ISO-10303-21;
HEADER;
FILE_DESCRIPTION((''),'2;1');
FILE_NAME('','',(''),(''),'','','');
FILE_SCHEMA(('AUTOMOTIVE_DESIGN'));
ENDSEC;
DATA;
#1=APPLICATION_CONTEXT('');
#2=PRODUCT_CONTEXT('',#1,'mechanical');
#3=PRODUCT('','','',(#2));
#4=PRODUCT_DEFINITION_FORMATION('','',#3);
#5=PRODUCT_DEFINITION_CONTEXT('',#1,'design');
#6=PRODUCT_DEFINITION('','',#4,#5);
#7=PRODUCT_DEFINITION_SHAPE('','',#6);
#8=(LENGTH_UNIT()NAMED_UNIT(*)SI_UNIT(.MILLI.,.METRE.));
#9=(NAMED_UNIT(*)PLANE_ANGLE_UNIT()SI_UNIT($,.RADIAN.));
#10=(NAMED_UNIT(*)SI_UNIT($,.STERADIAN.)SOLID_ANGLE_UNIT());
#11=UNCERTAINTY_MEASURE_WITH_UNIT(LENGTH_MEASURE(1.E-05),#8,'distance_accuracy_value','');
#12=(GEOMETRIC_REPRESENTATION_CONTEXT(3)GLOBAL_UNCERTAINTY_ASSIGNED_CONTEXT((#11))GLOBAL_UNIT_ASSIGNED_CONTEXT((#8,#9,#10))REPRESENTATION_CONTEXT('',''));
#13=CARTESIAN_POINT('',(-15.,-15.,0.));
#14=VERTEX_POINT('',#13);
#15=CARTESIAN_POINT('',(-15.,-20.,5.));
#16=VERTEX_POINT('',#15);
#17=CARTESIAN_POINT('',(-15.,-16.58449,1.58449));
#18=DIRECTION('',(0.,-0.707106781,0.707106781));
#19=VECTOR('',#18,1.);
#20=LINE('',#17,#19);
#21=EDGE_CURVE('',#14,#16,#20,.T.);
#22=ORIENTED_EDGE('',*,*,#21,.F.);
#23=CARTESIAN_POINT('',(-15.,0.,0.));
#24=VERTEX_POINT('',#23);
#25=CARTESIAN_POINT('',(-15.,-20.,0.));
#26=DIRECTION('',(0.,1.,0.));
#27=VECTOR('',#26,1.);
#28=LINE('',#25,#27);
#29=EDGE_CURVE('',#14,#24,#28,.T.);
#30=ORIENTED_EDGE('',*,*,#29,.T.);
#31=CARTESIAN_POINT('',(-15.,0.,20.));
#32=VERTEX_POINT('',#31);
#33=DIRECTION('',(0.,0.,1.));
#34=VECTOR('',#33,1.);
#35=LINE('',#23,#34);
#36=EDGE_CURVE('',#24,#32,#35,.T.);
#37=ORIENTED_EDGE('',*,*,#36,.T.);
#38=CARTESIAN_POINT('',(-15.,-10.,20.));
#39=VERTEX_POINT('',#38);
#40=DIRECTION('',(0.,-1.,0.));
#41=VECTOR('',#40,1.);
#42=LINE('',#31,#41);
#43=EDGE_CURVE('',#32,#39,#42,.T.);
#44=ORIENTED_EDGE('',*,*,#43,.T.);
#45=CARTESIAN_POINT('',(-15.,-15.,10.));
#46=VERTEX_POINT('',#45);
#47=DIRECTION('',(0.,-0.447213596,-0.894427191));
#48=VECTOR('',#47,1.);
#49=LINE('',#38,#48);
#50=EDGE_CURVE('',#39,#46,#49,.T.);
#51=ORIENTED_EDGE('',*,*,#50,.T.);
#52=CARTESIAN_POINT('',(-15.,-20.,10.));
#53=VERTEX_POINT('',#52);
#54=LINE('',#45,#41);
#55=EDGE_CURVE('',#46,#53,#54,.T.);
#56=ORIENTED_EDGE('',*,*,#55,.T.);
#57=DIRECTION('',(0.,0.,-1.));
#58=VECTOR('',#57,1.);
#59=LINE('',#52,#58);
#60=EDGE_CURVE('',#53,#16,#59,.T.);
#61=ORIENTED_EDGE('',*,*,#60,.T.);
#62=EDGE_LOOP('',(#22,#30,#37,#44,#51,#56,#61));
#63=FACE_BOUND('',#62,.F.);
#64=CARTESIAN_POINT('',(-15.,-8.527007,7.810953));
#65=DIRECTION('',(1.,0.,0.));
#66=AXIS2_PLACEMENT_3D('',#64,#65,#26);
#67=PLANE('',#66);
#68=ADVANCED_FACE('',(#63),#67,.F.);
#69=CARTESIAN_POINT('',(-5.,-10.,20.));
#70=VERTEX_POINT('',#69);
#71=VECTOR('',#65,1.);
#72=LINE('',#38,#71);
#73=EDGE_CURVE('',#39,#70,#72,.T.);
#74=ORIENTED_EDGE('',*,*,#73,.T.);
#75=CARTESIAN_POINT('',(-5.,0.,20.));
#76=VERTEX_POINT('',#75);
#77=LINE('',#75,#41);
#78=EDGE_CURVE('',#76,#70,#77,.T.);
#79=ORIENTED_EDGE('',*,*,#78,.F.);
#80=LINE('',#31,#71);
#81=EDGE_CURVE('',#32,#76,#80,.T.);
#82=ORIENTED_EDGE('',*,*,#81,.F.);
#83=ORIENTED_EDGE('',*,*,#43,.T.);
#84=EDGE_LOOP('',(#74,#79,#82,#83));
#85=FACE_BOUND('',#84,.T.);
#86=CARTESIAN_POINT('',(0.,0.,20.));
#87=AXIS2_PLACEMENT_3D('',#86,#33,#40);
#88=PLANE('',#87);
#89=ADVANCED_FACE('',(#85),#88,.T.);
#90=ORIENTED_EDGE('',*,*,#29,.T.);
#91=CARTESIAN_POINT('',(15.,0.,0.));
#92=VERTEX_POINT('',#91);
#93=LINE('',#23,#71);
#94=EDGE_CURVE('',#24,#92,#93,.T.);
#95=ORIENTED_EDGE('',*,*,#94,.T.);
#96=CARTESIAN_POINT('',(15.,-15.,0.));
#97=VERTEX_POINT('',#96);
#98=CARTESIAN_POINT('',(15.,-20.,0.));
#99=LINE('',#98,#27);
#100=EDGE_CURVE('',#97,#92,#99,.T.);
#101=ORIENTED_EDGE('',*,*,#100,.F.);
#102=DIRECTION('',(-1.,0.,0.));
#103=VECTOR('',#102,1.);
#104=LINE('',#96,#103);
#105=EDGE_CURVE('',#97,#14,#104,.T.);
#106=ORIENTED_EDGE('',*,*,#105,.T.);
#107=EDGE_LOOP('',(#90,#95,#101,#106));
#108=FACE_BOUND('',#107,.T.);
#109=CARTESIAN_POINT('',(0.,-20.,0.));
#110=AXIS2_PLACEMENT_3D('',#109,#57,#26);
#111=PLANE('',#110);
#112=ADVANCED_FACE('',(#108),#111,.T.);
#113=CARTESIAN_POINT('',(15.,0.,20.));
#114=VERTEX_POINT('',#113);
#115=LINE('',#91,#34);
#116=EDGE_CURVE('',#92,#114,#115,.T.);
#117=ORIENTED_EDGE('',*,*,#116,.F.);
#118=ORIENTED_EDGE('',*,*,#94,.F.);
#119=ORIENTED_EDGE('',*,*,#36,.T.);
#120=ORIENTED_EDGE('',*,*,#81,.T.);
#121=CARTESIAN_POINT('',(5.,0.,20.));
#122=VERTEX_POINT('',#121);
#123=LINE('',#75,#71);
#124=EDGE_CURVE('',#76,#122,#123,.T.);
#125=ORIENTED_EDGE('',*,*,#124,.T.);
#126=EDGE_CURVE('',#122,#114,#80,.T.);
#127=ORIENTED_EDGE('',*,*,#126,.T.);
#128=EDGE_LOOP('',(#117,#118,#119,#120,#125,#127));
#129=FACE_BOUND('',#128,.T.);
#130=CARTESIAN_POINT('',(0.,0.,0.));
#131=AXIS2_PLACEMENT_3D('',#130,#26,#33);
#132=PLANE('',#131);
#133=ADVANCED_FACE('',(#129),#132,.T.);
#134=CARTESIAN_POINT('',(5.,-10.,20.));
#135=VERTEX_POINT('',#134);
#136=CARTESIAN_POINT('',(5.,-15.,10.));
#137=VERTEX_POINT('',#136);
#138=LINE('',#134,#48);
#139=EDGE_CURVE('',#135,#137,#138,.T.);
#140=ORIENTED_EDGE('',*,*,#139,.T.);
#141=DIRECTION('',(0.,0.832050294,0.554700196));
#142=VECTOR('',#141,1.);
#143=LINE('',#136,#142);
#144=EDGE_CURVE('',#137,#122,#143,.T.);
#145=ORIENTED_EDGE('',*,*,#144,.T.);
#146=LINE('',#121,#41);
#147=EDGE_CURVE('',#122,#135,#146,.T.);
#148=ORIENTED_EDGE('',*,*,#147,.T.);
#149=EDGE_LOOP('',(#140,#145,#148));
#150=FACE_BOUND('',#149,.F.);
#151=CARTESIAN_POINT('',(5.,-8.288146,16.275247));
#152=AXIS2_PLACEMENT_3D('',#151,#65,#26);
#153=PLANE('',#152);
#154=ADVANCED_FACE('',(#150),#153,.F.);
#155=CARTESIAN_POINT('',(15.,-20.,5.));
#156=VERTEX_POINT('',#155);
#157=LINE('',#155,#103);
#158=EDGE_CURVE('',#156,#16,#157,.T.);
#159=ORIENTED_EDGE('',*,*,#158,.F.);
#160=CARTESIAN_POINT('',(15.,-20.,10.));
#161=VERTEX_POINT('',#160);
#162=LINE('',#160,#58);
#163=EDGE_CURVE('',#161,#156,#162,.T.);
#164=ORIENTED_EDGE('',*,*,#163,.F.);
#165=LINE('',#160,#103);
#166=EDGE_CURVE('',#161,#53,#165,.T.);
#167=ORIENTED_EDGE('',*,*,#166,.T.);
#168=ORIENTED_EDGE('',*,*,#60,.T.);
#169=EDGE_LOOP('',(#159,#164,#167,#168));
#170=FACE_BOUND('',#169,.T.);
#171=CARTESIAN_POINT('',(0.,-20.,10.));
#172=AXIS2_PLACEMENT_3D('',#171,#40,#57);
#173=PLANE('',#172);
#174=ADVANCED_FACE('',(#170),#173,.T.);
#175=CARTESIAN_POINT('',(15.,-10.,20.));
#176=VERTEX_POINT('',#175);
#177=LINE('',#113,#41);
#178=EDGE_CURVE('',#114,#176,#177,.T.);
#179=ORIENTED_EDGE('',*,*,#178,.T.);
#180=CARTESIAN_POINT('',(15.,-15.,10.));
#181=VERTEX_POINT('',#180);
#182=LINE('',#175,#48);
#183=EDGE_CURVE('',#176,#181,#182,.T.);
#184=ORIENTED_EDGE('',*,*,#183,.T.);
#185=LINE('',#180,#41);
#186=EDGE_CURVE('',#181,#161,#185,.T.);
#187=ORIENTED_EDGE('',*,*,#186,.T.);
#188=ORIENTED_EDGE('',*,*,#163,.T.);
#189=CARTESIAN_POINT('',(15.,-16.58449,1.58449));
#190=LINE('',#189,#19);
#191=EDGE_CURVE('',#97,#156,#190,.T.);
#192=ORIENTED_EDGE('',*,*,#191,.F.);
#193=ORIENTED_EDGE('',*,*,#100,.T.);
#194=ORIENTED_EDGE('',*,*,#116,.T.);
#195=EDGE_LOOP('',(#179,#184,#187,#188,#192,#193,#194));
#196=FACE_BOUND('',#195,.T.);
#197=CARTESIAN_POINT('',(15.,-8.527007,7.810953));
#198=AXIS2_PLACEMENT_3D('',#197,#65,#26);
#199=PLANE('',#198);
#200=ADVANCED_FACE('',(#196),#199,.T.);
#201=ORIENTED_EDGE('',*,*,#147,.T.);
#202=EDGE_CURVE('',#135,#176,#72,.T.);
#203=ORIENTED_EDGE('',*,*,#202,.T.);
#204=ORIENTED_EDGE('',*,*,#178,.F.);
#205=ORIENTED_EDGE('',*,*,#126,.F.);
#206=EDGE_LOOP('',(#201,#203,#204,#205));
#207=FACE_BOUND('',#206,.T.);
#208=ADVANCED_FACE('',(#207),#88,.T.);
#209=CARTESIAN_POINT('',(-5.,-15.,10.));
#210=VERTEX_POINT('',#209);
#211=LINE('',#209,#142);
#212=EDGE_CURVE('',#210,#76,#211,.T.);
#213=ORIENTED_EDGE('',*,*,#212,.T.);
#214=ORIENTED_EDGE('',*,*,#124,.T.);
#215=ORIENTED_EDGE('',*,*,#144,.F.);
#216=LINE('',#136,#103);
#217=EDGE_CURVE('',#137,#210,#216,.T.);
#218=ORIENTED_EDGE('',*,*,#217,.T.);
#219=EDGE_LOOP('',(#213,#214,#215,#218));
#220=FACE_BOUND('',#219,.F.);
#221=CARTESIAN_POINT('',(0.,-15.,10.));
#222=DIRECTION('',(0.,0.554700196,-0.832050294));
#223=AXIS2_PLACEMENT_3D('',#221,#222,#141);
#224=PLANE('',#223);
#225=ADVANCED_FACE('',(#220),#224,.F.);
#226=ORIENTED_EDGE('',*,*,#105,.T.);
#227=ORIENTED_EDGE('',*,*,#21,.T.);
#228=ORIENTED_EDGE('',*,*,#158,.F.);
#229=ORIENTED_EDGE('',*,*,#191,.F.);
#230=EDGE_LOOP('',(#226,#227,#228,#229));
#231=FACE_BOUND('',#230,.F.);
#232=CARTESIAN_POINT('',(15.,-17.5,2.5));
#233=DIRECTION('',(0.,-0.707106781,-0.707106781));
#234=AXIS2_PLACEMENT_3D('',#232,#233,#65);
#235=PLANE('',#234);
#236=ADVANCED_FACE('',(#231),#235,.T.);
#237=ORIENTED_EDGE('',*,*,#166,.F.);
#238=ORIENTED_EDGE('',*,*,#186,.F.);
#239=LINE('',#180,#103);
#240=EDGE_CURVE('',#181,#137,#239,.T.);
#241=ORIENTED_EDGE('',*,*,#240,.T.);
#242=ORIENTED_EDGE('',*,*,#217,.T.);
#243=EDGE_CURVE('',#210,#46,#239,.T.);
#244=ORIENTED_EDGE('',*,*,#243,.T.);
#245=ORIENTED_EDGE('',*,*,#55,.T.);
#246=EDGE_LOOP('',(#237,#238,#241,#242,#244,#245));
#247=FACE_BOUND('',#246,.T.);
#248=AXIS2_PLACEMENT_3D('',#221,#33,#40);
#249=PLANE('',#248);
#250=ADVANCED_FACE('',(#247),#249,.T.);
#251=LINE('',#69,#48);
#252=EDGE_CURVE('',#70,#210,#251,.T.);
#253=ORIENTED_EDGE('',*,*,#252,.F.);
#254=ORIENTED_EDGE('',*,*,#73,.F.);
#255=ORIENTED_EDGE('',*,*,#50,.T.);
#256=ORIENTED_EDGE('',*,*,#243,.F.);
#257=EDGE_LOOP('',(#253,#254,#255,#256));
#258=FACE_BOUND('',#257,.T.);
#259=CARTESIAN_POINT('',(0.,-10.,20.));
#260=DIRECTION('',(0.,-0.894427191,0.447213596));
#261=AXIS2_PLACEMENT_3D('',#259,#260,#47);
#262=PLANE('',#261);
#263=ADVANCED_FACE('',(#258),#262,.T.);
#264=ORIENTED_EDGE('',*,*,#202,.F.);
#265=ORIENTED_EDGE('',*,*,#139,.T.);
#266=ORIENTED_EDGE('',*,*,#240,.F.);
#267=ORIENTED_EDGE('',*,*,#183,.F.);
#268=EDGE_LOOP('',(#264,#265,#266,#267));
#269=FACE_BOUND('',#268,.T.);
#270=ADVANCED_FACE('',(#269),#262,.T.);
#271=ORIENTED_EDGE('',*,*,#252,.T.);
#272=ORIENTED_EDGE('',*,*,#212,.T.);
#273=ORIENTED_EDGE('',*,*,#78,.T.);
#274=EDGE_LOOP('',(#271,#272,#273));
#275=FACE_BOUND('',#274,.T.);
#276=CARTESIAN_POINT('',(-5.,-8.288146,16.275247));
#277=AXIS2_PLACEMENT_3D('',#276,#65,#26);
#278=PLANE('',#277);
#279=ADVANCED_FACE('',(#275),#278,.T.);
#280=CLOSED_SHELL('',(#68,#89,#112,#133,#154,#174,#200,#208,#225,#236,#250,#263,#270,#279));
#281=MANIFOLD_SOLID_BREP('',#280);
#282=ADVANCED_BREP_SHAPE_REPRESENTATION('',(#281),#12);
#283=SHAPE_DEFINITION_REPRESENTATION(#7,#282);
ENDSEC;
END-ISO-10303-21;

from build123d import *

# Parameters (mm, degrees)
F1_DEPTH = 15
F2_DEPTH = 5
F3_SIZE  = 5


with BuildPart() as f1:
    # F0 (on Right) → F1 (new body, symmetric)
    with BuildSketch(Plane.YZ):
        Polygon((-20, 0), (0, 0), (0, 20), (-15, 10), (-20, 10), align=None)
        Polygon((-15, 10), (0, 20), (-10, 20), align=None)
    extrude(amount=F1_DEPTH, both=True)

    # F0 (on Right) → F2 (cut, symmetric)
    with BuildSketch(Plane.YZ):
        Polygon((-15, 10), (0, 20), (-10, 20), align=None)
    extrude(amount=F2_DEPTH, both=True, mode=Mode.SUBTRACT)

    # F3
    f3_edges = [f1.edges().sort_by_distance(p)[0] for p in [
        (0, -20, 0),
    ]]
    chamfer(f3_edges, length=F3_SIZE)


solid = f1.part
